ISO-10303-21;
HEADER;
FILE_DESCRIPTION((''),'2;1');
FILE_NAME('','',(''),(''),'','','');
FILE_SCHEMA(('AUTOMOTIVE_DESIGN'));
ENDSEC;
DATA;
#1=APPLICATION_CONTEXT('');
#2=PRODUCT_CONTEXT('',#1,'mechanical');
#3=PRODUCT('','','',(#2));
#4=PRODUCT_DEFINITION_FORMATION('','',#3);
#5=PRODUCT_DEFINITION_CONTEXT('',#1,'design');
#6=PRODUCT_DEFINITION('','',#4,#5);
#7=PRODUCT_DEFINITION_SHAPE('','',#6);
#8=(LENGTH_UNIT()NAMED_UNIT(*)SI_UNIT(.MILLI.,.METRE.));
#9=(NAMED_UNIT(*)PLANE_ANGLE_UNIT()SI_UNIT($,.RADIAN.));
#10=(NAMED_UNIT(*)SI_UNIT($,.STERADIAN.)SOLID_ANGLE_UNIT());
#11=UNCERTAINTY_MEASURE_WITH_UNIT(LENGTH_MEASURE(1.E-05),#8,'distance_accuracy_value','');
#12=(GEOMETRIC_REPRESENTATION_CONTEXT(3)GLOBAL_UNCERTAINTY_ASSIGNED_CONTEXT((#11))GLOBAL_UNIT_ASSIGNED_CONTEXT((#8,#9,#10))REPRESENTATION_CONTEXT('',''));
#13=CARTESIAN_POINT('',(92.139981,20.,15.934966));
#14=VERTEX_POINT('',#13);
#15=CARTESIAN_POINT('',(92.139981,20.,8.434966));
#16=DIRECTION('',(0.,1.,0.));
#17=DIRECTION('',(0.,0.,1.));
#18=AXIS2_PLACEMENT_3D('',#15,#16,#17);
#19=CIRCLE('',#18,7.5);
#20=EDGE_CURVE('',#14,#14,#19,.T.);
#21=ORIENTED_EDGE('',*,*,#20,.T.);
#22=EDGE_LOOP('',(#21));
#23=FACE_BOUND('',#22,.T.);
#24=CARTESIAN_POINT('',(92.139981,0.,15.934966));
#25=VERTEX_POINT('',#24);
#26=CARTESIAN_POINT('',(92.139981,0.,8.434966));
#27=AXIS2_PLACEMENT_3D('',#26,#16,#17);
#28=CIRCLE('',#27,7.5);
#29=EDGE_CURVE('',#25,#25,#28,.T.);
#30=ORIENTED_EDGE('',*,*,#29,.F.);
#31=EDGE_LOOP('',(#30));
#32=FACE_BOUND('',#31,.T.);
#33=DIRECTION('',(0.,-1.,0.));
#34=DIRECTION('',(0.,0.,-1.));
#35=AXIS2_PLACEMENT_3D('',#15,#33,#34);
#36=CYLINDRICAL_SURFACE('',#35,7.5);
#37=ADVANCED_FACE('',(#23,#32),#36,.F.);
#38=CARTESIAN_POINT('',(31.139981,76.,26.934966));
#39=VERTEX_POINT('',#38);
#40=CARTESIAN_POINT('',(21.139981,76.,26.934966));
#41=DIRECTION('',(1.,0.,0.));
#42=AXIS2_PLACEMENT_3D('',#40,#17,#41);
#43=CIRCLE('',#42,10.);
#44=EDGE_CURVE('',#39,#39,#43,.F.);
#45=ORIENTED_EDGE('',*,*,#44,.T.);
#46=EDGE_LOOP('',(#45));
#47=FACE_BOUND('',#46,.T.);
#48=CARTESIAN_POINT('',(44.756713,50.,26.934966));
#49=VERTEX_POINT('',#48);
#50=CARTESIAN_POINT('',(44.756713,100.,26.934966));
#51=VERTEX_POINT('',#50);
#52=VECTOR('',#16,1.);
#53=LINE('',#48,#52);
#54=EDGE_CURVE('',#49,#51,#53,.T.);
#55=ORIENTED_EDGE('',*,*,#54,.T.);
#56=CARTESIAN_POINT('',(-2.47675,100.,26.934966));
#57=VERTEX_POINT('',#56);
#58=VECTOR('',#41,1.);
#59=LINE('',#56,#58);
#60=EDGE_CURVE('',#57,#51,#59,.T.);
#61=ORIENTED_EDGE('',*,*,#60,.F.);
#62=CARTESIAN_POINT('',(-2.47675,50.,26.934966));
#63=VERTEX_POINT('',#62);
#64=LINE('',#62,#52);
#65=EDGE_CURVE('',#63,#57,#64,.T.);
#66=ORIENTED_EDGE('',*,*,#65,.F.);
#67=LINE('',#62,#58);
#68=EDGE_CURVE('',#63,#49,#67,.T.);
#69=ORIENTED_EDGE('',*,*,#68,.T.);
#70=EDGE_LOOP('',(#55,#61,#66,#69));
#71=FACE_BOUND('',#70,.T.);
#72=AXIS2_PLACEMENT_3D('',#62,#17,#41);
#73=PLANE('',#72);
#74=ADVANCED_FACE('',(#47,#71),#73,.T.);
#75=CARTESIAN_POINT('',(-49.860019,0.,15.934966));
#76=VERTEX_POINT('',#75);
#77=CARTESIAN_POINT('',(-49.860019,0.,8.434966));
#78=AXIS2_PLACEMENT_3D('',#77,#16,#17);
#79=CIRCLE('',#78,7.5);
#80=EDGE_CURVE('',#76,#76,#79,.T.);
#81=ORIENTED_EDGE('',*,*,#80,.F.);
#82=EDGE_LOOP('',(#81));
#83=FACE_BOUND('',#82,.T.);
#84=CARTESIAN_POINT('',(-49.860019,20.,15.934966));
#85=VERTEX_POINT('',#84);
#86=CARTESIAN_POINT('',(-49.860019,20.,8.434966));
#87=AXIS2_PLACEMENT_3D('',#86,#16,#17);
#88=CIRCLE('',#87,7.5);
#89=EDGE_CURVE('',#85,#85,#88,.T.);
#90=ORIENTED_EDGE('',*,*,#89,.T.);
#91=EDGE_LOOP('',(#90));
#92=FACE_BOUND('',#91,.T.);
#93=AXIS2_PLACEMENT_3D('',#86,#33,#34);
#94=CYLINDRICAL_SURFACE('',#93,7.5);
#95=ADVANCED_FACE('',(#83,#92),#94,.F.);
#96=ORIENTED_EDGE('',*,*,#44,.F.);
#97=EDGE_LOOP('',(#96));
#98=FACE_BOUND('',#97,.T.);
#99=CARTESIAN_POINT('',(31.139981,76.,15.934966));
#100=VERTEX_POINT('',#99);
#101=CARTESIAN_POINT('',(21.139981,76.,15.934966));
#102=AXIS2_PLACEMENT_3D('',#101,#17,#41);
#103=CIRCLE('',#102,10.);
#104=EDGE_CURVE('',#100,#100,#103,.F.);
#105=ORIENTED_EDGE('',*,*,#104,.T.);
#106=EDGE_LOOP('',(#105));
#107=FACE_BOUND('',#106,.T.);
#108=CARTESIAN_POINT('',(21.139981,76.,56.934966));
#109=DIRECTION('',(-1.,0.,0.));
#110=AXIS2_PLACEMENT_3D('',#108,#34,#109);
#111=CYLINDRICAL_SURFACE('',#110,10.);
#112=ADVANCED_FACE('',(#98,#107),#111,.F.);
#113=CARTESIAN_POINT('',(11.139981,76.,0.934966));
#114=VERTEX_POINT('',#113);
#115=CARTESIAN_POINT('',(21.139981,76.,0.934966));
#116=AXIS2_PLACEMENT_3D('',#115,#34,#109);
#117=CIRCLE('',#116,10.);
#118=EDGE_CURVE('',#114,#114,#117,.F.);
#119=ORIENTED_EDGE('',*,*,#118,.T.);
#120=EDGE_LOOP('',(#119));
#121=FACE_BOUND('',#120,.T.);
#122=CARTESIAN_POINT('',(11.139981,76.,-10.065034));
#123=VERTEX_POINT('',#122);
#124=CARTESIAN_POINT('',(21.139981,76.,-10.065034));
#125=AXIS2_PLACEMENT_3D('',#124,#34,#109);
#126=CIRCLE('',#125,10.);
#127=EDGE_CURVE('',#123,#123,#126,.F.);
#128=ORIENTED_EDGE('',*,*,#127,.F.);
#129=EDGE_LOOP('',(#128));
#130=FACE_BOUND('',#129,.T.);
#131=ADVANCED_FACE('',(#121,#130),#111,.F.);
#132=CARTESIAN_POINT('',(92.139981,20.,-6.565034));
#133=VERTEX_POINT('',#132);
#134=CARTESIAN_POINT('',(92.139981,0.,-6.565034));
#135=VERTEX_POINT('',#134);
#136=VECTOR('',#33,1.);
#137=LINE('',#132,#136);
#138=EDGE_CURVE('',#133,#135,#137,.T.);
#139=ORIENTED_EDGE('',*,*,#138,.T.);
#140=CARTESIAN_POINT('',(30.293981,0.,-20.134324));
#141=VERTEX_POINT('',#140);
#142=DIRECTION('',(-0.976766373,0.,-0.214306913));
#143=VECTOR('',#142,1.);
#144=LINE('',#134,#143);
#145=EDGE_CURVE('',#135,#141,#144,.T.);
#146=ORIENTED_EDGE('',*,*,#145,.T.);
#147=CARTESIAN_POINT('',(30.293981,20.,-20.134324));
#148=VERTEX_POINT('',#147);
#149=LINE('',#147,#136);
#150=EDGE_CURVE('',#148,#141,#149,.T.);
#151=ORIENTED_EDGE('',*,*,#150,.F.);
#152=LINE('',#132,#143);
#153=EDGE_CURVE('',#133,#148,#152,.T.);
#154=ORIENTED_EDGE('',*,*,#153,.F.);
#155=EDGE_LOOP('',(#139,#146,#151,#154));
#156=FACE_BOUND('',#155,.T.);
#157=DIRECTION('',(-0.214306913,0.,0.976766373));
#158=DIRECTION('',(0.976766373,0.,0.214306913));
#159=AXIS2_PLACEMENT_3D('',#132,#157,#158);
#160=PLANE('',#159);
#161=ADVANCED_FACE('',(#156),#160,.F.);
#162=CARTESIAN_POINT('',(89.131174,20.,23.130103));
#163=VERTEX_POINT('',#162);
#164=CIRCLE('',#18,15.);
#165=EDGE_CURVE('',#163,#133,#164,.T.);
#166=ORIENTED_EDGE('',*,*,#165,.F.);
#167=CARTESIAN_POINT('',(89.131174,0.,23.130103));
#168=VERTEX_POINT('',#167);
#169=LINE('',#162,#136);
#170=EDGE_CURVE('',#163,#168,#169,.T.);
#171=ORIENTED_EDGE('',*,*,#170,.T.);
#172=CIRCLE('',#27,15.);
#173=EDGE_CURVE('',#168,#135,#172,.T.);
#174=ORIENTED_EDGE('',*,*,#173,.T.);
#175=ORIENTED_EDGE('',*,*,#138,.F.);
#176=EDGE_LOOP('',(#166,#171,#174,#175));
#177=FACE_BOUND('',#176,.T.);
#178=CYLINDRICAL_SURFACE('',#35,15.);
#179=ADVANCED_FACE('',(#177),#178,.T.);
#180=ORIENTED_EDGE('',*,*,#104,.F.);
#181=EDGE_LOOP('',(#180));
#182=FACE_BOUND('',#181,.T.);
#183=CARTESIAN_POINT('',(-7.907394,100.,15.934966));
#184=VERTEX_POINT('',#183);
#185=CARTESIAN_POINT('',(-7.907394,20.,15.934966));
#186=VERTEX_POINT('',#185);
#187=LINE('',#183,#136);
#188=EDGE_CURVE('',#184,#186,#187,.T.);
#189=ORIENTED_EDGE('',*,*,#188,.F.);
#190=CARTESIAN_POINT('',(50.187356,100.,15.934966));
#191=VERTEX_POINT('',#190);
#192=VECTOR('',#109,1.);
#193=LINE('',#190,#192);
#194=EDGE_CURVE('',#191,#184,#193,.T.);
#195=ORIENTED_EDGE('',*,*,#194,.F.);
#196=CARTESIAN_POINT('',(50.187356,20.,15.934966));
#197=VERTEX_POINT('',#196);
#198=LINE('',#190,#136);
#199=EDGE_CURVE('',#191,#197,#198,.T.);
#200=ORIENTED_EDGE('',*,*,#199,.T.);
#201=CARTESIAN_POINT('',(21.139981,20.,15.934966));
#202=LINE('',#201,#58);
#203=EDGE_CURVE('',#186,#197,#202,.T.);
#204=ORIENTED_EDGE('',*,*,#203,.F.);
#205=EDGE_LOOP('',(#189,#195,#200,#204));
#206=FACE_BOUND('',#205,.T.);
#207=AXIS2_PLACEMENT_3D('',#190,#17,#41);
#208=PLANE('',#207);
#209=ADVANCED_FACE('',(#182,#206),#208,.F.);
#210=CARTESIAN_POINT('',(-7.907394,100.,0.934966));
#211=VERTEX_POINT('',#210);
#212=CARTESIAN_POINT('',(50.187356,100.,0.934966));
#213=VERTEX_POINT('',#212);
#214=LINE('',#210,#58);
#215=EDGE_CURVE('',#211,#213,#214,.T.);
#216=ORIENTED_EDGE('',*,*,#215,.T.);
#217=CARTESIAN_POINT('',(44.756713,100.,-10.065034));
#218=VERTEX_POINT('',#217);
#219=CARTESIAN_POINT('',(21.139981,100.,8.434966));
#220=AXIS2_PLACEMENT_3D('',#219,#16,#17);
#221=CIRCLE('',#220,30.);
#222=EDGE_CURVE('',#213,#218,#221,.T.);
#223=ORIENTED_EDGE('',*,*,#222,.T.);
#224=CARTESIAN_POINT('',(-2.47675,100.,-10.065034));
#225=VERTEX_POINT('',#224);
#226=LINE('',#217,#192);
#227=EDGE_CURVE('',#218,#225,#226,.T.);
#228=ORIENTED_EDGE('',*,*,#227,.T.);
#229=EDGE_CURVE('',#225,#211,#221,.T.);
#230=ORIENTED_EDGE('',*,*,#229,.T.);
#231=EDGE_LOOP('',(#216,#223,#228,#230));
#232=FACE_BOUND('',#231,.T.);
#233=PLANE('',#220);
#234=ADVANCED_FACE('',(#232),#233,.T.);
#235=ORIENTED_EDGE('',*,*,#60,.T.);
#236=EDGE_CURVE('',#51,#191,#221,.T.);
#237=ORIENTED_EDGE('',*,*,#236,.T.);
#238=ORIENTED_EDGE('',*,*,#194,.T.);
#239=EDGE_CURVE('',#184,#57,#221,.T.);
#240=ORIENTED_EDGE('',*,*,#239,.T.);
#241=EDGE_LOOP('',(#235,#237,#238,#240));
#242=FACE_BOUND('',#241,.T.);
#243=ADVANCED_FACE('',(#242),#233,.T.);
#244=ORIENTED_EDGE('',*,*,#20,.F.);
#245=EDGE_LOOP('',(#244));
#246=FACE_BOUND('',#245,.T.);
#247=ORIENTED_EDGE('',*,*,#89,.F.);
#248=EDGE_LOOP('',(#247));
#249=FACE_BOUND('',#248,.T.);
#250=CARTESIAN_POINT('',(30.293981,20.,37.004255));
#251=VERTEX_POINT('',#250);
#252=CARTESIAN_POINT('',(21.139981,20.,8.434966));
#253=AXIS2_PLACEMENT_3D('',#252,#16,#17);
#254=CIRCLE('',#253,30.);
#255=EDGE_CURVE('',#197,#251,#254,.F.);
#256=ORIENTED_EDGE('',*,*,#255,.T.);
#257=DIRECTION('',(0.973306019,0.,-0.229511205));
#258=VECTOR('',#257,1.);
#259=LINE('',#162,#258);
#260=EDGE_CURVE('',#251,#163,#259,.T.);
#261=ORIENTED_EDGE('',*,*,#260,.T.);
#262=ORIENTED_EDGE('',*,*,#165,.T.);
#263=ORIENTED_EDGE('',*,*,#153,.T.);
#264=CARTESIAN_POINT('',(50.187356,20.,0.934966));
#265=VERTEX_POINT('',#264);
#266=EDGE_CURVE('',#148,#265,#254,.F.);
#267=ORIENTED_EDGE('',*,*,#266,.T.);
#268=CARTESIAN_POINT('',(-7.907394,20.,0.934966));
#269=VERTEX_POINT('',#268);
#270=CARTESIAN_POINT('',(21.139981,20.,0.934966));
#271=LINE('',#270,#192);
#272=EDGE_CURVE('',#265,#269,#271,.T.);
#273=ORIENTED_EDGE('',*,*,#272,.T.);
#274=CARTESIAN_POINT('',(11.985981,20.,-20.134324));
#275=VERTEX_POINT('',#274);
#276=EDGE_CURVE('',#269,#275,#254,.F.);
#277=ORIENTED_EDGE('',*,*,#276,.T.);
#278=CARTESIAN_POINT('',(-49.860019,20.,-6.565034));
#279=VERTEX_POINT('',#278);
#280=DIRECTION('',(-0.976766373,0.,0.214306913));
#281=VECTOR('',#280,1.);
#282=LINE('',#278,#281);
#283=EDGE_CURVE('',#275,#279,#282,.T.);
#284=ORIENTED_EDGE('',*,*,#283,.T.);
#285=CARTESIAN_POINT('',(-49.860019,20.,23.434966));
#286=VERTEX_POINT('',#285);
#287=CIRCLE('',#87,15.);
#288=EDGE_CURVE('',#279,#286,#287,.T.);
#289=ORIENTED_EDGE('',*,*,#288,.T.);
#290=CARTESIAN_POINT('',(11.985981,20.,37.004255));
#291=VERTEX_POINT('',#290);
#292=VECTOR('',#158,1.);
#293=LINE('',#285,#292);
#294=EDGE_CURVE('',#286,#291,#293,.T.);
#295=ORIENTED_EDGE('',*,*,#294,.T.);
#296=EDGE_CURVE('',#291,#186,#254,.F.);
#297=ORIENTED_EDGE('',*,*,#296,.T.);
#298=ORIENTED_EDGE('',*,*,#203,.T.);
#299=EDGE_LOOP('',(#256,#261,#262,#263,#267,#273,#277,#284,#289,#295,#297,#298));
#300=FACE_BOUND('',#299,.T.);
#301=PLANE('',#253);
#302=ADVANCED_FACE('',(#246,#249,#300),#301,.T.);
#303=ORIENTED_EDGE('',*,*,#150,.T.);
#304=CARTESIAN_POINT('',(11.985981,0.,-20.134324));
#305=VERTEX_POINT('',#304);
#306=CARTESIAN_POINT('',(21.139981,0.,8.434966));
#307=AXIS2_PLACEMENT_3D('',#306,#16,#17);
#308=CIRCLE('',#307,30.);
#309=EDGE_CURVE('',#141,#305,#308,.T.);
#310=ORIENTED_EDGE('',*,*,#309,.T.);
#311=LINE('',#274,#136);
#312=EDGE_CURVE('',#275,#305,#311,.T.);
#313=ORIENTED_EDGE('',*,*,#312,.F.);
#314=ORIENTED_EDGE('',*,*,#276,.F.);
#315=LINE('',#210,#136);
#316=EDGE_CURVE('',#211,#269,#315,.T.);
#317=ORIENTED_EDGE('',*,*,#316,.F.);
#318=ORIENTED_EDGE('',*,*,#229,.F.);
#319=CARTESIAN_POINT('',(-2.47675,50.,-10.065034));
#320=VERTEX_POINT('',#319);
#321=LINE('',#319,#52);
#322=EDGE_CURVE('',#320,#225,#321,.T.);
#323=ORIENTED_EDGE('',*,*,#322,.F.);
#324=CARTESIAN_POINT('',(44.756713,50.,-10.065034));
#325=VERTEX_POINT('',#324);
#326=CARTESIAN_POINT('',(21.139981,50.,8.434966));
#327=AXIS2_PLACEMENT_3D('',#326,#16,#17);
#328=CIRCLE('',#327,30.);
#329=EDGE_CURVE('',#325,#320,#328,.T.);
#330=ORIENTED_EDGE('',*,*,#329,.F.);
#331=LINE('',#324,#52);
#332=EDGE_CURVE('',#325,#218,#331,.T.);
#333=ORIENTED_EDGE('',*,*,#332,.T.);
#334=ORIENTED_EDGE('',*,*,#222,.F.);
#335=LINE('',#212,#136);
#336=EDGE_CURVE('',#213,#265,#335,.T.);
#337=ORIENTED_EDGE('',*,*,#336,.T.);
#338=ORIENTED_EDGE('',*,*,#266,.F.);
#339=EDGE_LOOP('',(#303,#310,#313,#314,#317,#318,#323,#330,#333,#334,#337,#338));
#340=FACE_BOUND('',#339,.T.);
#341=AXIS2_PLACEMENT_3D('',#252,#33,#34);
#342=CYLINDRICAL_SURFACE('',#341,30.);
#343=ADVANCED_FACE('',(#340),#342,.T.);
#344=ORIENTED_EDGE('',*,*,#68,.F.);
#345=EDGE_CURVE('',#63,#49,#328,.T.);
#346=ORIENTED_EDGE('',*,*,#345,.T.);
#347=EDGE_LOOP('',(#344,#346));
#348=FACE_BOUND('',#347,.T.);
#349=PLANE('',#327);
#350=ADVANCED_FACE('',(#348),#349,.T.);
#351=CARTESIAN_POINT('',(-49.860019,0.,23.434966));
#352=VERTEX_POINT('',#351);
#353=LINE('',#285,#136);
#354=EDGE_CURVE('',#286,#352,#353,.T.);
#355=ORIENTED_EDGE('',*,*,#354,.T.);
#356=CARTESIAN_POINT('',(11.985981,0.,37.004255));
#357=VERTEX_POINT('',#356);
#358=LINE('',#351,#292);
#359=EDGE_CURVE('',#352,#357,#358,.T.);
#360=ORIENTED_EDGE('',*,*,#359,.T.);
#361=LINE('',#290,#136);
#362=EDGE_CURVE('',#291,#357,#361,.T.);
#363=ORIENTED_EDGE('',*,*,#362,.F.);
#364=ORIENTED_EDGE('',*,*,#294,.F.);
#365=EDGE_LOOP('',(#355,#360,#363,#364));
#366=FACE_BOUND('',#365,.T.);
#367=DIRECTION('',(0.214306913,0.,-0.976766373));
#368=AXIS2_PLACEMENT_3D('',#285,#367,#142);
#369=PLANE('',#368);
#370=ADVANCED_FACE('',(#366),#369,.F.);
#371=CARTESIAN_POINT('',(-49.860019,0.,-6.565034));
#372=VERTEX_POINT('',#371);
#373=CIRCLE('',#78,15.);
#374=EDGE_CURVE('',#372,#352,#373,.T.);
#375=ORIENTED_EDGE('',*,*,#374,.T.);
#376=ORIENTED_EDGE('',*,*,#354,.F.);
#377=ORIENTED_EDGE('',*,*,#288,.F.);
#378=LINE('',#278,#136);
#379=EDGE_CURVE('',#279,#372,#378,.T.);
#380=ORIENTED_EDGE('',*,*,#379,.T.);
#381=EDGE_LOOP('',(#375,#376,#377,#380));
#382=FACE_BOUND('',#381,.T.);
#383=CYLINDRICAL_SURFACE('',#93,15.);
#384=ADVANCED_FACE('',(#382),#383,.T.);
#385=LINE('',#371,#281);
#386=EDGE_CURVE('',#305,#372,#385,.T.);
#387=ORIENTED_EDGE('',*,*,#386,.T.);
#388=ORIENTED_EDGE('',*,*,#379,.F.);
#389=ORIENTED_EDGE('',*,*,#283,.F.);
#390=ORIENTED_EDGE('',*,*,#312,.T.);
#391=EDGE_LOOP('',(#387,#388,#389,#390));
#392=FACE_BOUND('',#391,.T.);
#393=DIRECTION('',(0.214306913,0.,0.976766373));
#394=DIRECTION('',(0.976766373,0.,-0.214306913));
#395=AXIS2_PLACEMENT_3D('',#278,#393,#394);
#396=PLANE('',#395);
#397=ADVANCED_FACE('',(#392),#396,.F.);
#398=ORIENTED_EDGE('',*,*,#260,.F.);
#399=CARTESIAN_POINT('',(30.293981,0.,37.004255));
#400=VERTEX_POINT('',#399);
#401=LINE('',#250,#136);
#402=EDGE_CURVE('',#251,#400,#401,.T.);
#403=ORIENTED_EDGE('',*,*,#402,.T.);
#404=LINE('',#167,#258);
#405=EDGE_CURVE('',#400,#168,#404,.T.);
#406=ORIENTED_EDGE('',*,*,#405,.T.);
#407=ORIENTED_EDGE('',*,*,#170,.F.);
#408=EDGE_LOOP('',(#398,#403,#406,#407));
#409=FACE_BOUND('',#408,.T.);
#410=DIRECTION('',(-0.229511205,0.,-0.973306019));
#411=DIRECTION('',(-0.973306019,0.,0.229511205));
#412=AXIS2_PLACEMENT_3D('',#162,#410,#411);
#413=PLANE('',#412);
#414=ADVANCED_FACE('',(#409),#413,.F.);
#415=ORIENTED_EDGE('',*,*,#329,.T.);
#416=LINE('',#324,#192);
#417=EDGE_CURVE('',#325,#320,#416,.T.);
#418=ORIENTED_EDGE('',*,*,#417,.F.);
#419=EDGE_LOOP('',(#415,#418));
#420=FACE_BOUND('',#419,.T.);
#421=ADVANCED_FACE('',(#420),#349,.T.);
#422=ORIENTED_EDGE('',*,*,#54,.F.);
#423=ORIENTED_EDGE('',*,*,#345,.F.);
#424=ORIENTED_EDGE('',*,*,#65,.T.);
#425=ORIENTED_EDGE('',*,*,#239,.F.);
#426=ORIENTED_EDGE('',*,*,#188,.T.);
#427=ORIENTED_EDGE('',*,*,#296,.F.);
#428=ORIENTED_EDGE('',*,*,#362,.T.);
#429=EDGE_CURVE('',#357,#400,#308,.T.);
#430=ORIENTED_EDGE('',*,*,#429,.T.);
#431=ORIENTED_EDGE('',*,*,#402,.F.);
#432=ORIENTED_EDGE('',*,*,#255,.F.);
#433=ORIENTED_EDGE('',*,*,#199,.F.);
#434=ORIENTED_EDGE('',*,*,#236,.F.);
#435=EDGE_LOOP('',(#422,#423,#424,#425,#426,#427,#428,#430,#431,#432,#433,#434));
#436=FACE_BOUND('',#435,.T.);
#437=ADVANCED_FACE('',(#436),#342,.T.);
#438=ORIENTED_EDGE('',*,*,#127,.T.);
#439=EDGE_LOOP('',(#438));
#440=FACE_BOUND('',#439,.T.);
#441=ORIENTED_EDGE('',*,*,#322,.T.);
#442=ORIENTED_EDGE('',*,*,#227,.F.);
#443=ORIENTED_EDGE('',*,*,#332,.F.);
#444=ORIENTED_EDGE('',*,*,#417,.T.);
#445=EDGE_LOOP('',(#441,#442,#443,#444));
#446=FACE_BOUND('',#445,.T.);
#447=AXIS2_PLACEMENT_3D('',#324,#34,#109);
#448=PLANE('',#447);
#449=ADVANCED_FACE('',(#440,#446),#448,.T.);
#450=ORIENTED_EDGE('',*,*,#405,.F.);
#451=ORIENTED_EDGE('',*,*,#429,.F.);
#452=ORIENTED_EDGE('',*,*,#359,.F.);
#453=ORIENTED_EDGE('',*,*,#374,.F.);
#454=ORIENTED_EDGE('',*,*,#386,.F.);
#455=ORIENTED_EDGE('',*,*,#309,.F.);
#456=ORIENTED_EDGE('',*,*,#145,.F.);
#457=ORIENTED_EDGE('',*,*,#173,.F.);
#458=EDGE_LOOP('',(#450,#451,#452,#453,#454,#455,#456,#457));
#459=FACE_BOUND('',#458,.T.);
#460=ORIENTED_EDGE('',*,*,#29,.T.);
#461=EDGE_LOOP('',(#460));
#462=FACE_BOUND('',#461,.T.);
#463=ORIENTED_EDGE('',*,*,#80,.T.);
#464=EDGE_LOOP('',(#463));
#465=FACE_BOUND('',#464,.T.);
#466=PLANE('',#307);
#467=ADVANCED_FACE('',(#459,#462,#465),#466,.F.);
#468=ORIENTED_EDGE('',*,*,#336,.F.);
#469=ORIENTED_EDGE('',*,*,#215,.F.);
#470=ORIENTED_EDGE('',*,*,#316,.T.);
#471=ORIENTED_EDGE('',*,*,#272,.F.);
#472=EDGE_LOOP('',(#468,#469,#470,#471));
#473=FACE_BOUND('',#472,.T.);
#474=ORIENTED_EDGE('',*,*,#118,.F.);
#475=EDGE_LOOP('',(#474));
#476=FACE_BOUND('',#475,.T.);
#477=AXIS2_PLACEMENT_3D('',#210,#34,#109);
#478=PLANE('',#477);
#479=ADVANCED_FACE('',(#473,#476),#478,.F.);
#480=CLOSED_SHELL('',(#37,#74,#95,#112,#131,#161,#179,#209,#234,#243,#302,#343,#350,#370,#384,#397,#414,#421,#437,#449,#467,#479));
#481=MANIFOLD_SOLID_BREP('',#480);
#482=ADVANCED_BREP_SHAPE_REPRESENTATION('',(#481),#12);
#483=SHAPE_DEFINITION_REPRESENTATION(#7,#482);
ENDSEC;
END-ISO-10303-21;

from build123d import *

# Parameters (mm, degrees)
SKETCH1_R               = 7.5
BOSS_EXTRUDE1_DEPTH     = 20
BOSS_EXTRUDE2_DEPTH     = 100
CUT_EXTRUDE1_DEPTH      = 50
SKETCH4_R               = 10
CUT_EXTRUDE2_DEPTH      = 30
CUT_EXTRUDE2_DEPTH_BACK = 119


with BuildPart() as part:
    # Sketch1 → Boss-Extrude1 (new body)
    with BuildSketch(Plane(origin=(0, 0, 0), x_dir=(1, 0, 0), z_dir=(0, 1, 0))):
        with BuildLine():
            Line((-49.860018769, -23.434965581), (11.985981198, -37.004254746))
            ThreePointArc((11.985981198, -37.004254746), (21.139981231, -38.434965581), (30.293981265, -37.004254746))
            Line((30.293981265, -37.004254746), (89.131173769, -23.130103473))
            ThreePointArc((89.131173769, -23.130103473), (107.063571087, -9.947071997), (92.139981231, 6.565034419))
            Line((92.139981231, 6.565034419), (30.293981265, 20.134323584))
            ThreePointArc((30.293981265, 20.134323584), (21.139981231, 21.565034419), (11.985981198, 20.134323584))
            Line((11.985981198, 20.134323584), (-49.860018769, 6.565034419))
            ThreePointArc((-49.860018769, 6.565034419), (-64.860018769, -8.434965581), (-49.860018769, -23.434965581))
        make_face()
        with Locations((-49.860018769, -8.434965581)):
            Circle(SKETCH1_R, mode=Mode.SUBTRACT)
        with Locations((92.139981231, -8.434965581)):
            Circle(SKETCH1_R, mode=Mode.SUBTRACT)
    extrude(amount=BOSS_EXTRUDE1_DEPTH)

    # Sketch2 → Boss-Extrude2 (add)
    with BuildSketch(Plane(origin=(0, 0, 0), x_dir=(1, 0, 0), z_dir=(0, 1, 0))):
        with BuildLine():
            Line((-7.907393865, -0.934965581), (50.187356328, -0.934965581))
            ThreePointArc((50.187356328, -0.934965581), (21.139981231, 21.565034419), (-7.907393865, -0.934965581))
        make_face()
        with BuildLine():
            Line((50.187356328, -15.934965581), (-7.907393865, -15.934965581))
            ThreePointArc((-7.907393865, -15.934965581), (21.139981231, -38.434965581), (50.187356328, -15.934965581))
        make_face()
    extrude(amount=BOSS_EXTRUDE2_DEPTH)

    # Sketch3 → Cut-Extrude1 (cut)
    with BuildSketch(Plane(origin=(0, 100, 0), x_dir=(1, 0, 0), z_dir=(0, 1, 0))):
        with BuildLine():
            Line((-2.476750126, -26.934965581), (44.756712589, -26.934965581))
            ThreePointArc((44.756712589, -26.934965581), (21.139981231, -38.434965581), (-2.476750126, -26.934965581))
        make_face()
        with BuildLine():
            Line((44.756712589, 10.065034419), (-2.476750126, 10.065034419))
            ThreePointArc((-2.476750126, 10.065034419), (21.139981231, 21.565034419), (44.756712589, 10.065034419))
        make_face()
    extrude(amount=-CUT_EXTRUDE1_DEPTH, mode=Mode.SUBTRACT)

    # Sketch4 → Cut-Extrude2 (cut, two sides)
    with BuildSketch(Plane.XY.offset(26.934965581)) as cut_extrude2_sk:
        with Locations((21.139981231, 76)):
            Circle(SKETCH4_R)
    extrude(amount=CUT_EXTRUDE2_DEPTH, mode=Mode.SUBTRACT)
    extrude(cut_extrude2_sk.sketch, amount=-CUT_EXTRUDE2_DEPTH_BACK, mode=Mode.SUBTRACT)


solid = part.part
